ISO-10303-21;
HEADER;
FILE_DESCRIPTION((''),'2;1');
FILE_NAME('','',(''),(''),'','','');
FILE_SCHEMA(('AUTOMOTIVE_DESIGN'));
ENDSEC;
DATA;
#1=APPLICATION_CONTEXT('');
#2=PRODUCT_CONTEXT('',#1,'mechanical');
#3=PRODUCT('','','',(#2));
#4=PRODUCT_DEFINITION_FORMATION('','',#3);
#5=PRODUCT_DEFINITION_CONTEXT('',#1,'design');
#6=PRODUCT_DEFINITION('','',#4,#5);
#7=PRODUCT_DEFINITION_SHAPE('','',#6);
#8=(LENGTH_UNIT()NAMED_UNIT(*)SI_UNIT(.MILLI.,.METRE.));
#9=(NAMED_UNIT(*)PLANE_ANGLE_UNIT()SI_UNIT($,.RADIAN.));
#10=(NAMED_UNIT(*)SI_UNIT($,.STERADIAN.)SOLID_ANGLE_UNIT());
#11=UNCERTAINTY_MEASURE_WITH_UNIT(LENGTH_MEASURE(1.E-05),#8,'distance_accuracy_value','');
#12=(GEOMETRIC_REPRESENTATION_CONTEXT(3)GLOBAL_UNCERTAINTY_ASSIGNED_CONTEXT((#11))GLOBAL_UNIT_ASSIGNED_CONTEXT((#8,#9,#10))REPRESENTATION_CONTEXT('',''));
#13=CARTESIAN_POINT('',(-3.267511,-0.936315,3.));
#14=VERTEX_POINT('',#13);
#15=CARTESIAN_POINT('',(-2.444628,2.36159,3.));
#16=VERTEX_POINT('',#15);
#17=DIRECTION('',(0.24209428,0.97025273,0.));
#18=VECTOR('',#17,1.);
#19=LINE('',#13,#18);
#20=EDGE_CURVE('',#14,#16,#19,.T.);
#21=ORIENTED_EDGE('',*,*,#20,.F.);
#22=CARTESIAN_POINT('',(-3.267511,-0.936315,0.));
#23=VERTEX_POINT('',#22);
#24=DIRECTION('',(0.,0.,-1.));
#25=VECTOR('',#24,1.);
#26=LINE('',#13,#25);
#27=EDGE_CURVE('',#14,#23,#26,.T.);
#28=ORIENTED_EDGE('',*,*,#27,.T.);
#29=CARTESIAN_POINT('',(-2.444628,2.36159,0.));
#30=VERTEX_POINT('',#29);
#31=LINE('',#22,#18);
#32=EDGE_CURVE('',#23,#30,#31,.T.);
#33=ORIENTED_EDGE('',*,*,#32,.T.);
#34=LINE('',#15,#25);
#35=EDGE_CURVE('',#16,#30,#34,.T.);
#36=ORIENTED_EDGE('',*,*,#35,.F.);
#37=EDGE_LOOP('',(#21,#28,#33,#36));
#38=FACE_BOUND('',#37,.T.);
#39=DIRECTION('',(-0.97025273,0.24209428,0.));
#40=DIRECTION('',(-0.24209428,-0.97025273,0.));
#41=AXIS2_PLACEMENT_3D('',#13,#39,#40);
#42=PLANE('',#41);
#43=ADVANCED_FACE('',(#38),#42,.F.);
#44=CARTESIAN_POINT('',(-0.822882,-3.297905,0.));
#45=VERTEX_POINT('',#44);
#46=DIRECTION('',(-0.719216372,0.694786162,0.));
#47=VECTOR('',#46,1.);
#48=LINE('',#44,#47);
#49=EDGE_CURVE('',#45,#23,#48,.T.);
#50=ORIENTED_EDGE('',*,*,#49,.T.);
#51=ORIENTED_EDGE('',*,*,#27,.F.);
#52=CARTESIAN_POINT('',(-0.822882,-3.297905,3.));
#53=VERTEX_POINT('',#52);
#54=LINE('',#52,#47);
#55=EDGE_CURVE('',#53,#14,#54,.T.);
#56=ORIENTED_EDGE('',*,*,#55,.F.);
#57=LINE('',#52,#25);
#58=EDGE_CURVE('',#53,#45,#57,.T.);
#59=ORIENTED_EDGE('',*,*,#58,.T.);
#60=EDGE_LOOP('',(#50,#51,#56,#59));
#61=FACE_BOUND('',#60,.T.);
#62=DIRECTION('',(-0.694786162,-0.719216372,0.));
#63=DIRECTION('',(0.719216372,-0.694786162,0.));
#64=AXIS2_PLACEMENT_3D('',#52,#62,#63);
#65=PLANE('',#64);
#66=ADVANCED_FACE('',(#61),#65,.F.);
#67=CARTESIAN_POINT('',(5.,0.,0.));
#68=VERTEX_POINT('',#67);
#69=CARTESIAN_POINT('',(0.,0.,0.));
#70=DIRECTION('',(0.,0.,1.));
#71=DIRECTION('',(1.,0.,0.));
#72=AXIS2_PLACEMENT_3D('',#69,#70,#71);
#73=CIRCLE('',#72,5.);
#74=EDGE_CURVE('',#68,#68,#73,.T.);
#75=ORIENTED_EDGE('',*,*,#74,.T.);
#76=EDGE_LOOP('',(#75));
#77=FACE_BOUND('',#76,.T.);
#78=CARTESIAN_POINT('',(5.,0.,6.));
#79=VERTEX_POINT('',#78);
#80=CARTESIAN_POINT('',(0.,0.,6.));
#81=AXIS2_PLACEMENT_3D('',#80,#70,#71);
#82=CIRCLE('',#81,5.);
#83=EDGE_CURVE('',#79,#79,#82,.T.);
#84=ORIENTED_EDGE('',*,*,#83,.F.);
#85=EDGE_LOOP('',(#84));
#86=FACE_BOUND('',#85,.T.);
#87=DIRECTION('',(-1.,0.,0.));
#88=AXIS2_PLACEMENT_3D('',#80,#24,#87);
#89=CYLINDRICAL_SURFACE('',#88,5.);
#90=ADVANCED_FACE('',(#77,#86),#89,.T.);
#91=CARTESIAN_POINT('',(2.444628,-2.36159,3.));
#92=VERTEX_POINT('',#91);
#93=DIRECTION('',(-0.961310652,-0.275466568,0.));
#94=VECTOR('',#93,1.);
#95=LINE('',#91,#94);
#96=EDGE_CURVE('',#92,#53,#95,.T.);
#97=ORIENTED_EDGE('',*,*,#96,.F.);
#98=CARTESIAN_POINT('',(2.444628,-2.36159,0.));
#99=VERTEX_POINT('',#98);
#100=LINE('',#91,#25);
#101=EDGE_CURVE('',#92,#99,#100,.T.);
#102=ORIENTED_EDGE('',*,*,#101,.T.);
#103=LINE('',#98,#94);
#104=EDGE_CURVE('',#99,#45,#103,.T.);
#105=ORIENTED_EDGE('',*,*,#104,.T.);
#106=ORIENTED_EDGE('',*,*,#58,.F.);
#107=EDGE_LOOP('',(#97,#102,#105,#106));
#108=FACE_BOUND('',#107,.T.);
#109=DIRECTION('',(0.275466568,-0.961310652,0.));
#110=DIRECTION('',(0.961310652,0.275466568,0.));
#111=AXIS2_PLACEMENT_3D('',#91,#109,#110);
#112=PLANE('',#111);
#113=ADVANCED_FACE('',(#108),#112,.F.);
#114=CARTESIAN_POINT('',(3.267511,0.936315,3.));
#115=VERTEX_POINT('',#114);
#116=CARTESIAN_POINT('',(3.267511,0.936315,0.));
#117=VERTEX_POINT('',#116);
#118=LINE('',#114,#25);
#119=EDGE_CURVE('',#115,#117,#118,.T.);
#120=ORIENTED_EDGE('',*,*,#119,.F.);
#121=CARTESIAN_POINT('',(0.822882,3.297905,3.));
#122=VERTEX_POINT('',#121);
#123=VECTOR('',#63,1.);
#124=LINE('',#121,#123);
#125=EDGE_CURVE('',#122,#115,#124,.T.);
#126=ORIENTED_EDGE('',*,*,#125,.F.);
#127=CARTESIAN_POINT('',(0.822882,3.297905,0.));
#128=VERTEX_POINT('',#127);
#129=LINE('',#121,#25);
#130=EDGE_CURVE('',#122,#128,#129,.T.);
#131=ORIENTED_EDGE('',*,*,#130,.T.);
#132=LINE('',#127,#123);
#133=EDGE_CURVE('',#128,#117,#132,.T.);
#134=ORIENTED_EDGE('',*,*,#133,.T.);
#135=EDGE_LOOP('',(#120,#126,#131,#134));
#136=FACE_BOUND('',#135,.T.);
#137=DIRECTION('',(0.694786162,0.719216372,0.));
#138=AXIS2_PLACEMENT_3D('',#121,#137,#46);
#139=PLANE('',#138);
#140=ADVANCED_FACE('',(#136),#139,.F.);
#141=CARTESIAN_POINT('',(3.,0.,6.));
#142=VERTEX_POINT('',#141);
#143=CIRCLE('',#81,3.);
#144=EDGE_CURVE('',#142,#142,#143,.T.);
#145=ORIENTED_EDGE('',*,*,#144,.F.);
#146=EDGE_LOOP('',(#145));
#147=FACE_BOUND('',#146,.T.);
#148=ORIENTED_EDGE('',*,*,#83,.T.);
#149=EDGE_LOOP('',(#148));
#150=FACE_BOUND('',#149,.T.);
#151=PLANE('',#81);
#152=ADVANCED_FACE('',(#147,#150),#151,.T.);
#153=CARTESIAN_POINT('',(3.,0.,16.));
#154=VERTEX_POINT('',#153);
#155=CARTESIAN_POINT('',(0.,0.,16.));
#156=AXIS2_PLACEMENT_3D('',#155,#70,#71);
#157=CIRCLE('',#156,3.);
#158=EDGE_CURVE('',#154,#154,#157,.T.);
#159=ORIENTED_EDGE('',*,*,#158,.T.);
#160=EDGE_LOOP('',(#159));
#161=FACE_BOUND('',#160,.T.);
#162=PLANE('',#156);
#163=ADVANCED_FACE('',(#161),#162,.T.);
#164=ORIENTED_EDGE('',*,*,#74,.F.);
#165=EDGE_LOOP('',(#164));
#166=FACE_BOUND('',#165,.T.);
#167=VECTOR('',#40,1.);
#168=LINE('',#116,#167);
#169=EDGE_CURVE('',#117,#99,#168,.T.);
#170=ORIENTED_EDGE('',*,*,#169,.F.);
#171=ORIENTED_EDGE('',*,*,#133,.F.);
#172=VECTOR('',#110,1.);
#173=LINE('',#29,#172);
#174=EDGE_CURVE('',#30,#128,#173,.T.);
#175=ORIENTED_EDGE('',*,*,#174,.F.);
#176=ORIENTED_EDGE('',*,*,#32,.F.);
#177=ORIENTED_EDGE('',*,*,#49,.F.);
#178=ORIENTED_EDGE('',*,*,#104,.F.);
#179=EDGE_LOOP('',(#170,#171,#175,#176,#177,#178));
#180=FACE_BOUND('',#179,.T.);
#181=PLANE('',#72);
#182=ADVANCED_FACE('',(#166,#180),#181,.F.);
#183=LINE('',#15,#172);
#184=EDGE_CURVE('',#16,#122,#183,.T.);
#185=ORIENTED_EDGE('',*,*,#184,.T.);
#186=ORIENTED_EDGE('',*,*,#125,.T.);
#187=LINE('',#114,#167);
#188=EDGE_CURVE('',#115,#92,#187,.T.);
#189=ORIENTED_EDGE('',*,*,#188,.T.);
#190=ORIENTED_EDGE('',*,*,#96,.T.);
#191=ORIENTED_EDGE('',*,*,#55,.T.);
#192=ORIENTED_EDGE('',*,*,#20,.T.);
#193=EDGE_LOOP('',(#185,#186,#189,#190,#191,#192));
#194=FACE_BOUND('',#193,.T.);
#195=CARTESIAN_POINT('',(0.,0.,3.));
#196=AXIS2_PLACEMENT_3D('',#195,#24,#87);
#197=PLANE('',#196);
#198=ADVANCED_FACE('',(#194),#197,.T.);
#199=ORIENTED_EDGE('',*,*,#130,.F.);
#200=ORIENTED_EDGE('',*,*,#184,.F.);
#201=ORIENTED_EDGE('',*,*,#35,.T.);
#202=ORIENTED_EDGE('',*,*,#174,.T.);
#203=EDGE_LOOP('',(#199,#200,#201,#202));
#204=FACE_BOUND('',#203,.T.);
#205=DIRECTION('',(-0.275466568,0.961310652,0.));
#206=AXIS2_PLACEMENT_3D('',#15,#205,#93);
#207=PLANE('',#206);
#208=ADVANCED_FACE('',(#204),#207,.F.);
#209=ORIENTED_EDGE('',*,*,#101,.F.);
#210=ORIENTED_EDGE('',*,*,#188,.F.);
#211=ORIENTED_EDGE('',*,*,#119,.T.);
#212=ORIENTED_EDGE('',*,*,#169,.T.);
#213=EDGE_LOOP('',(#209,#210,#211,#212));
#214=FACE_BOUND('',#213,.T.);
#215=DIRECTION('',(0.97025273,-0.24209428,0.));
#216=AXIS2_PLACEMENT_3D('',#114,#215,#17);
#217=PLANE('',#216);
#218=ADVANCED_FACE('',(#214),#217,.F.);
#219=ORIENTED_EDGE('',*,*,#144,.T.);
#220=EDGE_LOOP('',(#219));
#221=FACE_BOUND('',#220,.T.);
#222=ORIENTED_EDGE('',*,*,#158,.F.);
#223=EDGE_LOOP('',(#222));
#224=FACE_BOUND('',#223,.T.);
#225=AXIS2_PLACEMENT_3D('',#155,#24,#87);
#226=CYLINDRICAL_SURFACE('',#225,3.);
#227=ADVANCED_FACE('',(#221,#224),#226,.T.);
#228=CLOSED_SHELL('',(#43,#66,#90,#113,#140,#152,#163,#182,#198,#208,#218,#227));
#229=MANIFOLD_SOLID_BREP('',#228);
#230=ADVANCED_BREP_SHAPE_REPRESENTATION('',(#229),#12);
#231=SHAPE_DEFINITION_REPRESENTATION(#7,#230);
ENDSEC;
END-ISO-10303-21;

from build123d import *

# Parameters (mm, degrees)
SKETCH_1_R          = 5
EXTRUDE_1_DEPTH     = 6
SKETCH_2_R          = 3
EXTRUDE_2_DEPTH     = 10
CUT_EXTRUDE_1_DEPTH = 3


with BuildPart() as part:
    # ｽｹｯﾁ1 → ﾎﾞｽ - 押し出し1 (new body)
    with BuildSketch(Plane.XY):
        Circle(SKETCH_1_R)
    extrude(amount=EXTRUDE_1_DEPTH)

    # ｽｹｯﾁ2 → ﾎﾞｽ - 押し出し2 (add)
    with BuildSketch(Plane.XY.offset(6)):
        Circle(SKETCH_2_R)
    extrude(amount=EXTRUDE_2_DEPTH)

    # ｽｹｯﾁ3 → ｶｯﾄ - 押し出し1 (cut)
    with BuildSketch(Plane(origin=(0, 0, 0), x_dir=(-1, 0, 0), z_dir=(0, 0, -1))):
        Polygon((2.444628194, 2.36158951), (-0.822882412, 3.297904873), (-3.267510606, 0.936315364), (-2.444628194, -2.36158951), (0.822882412, -3.297904873), (3.267510606, -0.936315364), align=None)
    extrude(amount=-CUT_EXTRUDE_1_DEPTH, mode=Mode.SUBTRACT)


solid = part.part
